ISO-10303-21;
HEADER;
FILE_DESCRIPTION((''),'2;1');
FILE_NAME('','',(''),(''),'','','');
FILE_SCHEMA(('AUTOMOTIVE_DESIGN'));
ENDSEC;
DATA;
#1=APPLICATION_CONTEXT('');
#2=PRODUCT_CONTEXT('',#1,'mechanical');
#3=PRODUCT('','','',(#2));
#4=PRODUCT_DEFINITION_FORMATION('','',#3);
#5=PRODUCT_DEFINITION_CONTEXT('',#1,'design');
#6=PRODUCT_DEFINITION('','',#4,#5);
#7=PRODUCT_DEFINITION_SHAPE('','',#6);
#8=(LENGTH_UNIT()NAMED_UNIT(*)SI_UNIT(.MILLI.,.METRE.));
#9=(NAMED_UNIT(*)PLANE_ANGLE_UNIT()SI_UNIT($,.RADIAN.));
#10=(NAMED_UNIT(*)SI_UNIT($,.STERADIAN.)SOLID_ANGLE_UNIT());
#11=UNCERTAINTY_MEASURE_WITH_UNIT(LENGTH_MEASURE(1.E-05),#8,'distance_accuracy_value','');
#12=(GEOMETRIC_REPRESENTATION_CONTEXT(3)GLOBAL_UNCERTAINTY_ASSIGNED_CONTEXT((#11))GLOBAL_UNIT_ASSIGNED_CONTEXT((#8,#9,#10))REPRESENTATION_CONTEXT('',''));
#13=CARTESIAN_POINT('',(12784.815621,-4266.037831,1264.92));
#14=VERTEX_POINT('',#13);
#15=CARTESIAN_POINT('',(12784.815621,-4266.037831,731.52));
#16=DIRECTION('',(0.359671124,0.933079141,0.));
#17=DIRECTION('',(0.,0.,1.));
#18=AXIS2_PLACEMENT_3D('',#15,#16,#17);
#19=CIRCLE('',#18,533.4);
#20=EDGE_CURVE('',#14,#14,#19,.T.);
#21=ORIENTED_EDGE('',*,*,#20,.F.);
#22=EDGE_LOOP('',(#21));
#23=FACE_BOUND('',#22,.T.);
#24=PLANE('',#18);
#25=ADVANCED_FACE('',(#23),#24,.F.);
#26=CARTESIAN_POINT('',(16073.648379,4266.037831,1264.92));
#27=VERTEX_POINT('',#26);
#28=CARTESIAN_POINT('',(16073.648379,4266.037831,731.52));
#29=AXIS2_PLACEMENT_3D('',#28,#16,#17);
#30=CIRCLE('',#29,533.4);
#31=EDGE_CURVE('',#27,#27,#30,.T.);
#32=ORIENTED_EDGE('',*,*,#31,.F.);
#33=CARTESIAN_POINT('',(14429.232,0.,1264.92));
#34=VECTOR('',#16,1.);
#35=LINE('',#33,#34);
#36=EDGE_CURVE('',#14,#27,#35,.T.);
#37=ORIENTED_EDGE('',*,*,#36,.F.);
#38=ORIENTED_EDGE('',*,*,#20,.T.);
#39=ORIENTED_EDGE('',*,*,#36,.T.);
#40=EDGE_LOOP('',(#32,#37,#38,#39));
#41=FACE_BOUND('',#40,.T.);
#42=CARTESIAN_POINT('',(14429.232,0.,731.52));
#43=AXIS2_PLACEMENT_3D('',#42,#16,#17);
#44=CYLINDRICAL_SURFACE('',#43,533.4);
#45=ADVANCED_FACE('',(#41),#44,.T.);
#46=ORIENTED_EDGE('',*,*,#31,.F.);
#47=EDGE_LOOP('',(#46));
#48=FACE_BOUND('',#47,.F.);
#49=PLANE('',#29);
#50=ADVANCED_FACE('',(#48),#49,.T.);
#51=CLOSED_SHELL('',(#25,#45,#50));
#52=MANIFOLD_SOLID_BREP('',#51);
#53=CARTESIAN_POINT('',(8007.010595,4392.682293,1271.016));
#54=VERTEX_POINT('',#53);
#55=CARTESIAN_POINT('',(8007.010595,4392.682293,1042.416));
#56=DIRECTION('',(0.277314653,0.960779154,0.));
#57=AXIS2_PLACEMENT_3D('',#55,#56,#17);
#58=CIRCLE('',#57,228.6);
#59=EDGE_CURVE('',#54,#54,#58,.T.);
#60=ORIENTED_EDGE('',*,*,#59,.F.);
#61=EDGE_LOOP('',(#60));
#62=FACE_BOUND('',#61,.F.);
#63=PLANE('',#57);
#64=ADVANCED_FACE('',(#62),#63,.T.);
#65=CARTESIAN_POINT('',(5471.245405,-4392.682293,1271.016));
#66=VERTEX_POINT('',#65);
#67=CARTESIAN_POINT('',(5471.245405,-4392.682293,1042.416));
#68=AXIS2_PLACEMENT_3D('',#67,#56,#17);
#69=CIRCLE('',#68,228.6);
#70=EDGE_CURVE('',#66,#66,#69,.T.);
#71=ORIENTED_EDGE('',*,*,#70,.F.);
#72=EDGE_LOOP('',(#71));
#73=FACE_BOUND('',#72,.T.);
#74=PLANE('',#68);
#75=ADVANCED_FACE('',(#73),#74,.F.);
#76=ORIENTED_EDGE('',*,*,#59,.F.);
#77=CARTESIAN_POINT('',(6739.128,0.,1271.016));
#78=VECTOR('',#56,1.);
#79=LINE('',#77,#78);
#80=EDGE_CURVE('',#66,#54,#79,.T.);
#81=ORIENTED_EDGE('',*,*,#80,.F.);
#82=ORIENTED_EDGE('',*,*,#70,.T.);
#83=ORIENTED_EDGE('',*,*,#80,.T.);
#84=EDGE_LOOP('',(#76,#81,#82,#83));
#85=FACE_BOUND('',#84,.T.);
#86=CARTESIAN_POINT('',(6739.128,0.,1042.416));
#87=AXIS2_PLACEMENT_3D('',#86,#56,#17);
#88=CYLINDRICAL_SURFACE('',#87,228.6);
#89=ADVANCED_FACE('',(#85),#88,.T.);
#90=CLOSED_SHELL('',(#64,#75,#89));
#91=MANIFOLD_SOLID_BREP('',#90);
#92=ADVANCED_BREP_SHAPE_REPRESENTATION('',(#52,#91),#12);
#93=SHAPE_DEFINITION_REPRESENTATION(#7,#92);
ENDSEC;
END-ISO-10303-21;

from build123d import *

# Parameters (mm, degrees)
F7_W = 9144
F7_H = 533.4
F5_W = 9144
F5_H = 228.6


with BuildPart() as f8:
    # F7 (on line) → F8 (revolve)
    with BuildSketch(Plane(origin=(12562.6186806324, -4842.4736814365, 0), x_dir=(0.359671124, 0.9330791406, 0), z_dir=(0.9330791406, -0.359671124, 0))):
        with Locations((5189.7780915416, 998.22)):
            Rectangle(F7_W, F7_H)
    revolve(axis=Axis((14429.232, 0, 731.52), (0.359671124, 0.9330791406, 0)))


with BuildPart() as f9:
    # F5 (on line) → F9 (revolve)
    with BuildSketch(Plane(origin=(6220.8660296295, -1795.560716302, 0), x_dir=(0.2773146533, 0.9607791542, 0), z_dir=(0.9607791542, -0.2773146533, 0))):
        with Locations((1868.8589448803, 1156.716)):
            Rectangle(F5_W, F5_H)
    revolve(axis=Axis((6739.128, 0, 1042.416), (0.2773146533, 0.9607791542, 0)))


solid = Compound([f8.part, f9.part])
